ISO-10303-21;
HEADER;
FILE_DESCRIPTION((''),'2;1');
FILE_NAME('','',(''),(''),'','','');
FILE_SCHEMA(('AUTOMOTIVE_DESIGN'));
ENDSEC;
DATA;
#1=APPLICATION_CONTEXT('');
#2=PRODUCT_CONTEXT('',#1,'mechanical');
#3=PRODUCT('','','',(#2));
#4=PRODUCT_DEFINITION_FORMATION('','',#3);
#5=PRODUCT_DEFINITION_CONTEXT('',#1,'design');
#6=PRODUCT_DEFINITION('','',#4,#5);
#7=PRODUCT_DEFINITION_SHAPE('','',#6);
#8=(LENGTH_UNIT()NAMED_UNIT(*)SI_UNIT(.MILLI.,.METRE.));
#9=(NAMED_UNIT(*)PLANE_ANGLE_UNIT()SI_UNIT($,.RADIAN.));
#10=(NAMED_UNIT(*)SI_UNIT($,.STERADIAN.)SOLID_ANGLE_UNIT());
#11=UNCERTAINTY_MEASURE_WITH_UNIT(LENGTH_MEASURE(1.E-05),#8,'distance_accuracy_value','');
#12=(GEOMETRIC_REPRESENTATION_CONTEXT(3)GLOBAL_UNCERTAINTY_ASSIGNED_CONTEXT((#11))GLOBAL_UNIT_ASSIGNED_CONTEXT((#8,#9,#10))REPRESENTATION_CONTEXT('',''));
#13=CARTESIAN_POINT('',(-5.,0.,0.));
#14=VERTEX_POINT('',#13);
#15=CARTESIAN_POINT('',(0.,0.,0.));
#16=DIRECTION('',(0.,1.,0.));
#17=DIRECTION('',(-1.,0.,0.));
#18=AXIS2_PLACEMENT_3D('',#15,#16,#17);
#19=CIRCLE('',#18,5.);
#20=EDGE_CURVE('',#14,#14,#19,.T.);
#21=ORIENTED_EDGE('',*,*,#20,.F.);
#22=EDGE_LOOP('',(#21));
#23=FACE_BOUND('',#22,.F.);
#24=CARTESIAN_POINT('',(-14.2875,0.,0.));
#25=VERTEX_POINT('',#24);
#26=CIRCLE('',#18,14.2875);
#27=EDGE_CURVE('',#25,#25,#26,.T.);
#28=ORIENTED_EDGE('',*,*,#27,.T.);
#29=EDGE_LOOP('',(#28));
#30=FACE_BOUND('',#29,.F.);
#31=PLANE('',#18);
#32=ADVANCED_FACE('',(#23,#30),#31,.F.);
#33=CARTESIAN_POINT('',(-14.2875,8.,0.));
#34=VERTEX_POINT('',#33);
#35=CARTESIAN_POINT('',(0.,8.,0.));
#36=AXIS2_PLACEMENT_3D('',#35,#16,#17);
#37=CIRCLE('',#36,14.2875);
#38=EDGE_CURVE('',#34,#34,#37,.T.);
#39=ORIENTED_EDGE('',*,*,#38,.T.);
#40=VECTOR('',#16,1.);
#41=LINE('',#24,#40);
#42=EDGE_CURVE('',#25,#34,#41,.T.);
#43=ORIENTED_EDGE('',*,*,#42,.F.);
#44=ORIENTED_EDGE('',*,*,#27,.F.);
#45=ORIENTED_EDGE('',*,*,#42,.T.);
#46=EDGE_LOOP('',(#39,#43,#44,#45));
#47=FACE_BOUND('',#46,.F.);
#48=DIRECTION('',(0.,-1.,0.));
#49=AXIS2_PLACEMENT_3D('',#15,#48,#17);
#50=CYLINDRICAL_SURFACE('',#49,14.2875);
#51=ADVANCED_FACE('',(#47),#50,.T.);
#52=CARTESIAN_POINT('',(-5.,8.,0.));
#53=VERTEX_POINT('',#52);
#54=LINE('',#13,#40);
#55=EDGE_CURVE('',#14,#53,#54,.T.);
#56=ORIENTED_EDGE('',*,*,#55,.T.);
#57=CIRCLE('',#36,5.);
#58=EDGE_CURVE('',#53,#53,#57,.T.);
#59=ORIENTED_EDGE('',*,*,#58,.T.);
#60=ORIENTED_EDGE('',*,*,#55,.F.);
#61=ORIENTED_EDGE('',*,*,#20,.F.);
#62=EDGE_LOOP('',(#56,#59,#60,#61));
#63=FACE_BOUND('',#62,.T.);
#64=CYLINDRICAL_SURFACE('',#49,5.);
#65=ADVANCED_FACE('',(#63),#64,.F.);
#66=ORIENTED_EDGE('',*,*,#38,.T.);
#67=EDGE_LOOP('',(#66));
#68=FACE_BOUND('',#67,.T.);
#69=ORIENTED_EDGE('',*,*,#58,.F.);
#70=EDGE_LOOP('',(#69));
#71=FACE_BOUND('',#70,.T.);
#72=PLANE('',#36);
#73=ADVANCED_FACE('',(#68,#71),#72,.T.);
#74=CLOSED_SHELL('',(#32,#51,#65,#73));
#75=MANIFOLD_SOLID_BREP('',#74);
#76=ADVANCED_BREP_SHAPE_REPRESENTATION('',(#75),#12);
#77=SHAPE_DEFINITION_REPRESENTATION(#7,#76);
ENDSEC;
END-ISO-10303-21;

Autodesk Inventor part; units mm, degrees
ref_plane "YZ Plane" through (0, 0, 0) normal (1, 0, 0) x (0, 1, 0)
ref_plane "XZ Plane" through (0, 0, 0) normal (0, 1, 0) x (-1, 0, 0)
ref_plane "XY Plane" through (0, 0, 0) normal (0, 0, 1) x (1, 0, 0)
sketch "Sketch1" plane through (0, 0, 0) normal (0, 1, 0) x (-1, 0, 0)
  circle A0 centre (0, 0) radius 14.2875
  circle A1 centre (0, 0) radius 5
  dimension "d0" = 28.575
  dimension "d1" = 10
extrude "Extrusion1" add sketch "Sketch1" along normal blind 8
properties part number "Bearings" material "Aluminum 6061-AHC"
